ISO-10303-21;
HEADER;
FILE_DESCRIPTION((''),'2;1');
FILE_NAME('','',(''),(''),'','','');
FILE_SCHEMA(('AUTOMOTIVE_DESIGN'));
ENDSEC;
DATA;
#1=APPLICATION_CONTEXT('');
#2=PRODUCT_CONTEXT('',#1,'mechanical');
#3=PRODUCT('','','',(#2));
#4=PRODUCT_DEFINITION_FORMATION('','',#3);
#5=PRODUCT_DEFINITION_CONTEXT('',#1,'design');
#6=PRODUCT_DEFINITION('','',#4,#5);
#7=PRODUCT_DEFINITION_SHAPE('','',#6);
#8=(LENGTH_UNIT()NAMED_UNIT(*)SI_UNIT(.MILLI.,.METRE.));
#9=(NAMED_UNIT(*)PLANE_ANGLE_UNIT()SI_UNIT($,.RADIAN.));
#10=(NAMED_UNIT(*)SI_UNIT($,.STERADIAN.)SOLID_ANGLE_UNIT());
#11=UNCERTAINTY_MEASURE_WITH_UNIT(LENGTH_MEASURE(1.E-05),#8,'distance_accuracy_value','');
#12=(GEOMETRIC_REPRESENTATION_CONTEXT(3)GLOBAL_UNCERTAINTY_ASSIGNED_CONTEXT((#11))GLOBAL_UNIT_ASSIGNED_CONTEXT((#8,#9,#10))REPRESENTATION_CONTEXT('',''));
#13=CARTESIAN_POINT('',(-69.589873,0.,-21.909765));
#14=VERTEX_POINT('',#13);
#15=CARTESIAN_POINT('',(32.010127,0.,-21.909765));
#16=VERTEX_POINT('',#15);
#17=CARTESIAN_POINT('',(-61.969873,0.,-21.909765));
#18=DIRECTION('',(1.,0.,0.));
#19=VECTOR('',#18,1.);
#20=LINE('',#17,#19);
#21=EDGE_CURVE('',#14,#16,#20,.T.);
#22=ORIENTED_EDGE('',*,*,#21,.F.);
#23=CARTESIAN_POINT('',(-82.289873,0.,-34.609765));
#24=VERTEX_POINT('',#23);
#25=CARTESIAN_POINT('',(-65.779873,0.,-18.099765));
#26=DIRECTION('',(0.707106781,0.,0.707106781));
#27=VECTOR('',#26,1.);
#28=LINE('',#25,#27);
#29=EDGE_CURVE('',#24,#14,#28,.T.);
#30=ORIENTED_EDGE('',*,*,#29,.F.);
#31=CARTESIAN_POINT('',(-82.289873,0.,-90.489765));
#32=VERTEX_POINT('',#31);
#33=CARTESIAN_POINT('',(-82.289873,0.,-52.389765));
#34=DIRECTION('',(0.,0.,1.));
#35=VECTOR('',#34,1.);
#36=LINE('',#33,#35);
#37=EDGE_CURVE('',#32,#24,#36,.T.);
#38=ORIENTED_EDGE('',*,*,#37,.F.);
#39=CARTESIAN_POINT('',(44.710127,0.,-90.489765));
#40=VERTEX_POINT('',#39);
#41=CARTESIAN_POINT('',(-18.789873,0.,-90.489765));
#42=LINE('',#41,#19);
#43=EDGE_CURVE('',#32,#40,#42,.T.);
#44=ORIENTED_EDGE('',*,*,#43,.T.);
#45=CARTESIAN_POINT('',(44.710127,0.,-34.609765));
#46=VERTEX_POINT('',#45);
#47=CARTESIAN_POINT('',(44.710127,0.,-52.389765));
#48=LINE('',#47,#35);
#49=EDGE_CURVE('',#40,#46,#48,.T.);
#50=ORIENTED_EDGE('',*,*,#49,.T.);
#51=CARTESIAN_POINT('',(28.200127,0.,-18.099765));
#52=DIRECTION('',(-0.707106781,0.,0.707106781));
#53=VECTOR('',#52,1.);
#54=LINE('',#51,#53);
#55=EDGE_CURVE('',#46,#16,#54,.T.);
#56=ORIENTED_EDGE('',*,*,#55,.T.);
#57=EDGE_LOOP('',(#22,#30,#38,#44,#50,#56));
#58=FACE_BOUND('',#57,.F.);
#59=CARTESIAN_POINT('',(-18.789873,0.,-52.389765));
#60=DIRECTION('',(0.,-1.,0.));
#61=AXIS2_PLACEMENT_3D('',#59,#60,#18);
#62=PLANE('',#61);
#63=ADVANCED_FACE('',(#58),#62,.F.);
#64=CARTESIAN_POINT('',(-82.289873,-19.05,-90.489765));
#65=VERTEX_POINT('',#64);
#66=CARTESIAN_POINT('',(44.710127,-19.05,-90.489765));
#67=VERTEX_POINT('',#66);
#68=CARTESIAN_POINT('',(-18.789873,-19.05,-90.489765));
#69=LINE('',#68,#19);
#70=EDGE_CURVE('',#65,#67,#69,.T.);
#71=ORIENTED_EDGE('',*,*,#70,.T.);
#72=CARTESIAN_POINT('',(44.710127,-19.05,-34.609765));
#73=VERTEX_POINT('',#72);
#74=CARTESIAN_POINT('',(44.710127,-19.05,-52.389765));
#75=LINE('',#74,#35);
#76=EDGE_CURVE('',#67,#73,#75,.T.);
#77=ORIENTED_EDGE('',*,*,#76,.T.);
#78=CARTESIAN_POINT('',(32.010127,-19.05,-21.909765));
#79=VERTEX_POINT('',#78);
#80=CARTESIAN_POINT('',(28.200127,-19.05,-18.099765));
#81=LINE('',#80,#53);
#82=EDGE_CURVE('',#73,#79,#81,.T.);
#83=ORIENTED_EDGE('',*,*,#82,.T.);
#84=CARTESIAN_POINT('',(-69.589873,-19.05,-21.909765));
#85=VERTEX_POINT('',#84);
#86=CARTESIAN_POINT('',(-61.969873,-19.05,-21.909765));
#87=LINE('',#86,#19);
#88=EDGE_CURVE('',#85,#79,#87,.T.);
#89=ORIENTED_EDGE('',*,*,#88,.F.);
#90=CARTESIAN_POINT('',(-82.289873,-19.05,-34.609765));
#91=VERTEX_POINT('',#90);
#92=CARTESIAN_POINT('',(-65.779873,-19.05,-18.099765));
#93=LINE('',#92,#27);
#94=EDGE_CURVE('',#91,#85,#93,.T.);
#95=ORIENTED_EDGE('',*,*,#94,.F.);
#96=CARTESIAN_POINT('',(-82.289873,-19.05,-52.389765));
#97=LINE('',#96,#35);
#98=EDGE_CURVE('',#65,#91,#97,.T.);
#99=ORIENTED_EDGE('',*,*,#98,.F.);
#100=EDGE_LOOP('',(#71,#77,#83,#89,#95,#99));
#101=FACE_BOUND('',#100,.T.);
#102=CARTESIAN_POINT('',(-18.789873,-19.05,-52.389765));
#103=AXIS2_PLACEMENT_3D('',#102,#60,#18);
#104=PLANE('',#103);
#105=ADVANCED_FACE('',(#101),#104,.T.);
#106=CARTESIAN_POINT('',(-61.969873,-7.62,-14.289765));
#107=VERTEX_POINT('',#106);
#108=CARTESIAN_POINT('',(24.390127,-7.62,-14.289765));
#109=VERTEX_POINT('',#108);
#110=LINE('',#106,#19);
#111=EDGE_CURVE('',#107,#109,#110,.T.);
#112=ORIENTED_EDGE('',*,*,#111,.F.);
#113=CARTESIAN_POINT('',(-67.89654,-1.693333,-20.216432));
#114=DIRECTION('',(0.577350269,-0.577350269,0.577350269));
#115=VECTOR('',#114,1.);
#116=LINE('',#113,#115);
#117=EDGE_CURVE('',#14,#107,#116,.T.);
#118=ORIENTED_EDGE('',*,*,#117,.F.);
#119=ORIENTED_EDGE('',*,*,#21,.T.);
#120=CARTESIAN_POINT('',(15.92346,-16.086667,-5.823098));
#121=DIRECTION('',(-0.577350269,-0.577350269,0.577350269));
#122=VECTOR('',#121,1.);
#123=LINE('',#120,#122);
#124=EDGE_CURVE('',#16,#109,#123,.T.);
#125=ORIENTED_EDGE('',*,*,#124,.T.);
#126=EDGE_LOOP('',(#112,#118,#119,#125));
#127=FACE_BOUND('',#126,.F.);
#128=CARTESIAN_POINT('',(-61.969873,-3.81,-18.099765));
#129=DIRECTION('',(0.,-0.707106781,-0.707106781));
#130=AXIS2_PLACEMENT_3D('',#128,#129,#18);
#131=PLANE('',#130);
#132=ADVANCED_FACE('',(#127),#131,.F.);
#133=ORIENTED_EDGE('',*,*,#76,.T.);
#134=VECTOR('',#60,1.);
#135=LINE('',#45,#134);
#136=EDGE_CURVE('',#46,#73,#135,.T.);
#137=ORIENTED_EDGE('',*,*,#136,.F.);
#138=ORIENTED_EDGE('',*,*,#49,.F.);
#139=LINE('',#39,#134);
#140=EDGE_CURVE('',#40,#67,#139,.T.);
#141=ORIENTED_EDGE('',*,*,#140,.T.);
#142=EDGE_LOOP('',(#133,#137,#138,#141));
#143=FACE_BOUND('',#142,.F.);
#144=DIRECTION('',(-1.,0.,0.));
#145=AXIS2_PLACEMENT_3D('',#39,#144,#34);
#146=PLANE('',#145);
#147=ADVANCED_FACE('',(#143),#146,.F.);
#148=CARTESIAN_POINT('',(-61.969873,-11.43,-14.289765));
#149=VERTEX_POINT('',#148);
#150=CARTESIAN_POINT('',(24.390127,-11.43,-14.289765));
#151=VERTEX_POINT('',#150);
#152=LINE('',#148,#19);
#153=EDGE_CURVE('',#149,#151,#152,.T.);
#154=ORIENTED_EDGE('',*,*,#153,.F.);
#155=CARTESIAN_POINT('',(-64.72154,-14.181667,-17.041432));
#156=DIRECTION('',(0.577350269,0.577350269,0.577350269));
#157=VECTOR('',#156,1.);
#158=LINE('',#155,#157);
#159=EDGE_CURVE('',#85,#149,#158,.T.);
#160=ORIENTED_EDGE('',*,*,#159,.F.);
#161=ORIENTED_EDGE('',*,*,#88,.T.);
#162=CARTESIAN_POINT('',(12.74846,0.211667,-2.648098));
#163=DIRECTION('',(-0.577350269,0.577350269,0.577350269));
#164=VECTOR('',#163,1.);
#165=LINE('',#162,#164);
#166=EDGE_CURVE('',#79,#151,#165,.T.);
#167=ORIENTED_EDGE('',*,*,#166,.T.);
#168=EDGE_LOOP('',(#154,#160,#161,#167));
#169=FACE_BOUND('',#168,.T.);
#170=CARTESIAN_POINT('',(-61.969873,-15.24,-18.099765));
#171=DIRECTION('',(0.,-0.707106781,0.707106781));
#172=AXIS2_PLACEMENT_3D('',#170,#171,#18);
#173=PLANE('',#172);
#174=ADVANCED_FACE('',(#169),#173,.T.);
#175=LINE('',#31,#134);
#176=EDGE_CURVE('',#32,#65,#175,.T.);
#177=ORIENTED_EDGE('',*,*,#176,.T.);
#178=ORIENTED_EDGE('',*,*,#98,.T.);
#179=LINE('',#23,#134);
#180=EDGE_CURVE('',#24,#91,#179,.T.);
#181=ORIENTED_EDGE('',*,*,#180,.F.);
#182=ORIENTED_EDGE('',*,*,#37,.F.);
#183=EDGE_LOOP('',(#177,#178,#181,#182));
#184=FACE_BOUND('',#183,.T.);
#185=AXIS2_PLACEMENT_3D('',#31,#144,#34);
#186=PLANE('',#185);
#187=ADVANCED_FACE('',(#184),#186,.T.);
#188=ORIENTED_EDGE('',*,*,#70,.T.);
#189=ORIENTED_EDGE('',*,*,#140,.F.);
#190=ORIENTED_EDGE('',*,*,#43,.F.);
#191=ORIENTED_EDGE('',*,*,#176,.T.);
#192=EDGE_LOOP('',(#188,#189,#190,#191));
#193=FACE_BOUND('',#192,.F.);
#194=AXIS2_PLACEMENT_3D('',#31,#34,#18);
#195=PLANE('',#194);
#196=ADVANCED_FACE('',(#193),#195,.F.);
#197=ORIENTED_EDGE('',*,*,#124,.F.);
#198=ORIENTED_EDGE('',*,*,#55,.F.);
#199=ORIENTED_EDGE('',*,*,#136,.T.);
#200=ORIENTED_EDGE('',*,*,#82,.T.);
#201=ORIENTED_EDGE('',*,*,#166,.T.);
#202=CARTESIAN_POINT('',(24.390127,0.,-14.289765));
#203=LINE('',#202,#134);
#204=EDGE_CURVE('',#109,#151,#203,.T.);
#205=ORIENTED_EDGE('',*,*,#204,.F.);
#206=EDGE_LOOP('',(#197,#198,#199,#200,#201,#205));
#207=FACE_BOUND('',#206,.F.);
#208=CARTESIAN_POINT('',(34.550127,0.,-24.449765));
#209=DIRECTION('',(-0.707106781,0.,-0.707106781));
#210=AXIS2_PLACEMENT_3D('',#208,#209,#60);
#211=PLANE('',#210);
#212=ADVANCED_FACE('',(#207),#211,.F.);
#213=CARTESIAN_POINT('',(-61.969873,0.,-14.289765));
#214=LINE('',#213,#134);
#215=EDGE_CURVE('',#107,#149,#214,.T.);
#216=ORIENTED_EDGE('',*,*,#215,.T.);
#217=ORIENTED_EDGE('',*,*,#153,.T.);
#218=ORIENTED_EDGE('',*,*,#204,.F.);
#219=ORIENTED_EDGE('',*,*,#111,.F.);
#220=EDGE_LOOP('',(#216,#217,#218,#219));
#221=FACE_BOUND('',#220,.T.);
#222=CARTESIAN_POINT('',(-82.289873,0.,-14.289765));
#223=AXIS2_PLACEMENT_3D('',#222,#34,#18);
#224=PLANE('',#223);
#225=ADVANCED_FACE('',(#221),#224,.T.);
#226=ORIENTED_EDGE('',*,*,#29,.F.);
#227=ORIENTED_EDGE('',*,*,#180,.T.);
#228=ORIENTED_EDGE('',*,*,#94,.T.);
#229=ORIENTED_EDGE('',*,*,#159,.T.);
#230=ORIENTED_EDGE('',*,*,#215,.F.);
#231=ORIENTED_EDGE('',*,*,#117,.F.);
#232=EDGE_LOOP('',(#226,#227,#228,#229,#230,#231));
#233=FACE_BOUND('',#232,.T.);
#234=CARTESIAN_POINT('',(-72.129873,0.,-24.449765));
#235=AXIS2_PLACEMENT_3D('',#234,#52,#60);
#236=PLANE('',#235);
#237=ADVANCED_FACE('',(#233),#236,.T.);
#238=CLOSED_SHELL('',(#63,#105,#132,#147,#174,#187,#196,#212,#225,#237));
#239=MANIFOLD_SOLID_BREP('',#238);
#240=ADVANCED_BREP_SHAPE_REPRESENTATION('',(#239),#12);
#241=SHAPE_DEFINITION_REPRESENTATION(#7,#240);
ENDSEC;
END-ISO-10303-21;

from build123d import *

# Parameters (mm, degrees)
F0_W     = 127
F0_H     = 76.2
F1_DEPTH = 19.05
F2_SIZE  = 20.32
F3_SIZE  = 7.62


with BuildPart() as f1:
    # F0 (on Front) → F1 (new body)
    with BuildSketch(Plane.XZ):
        with Locations((-18.789873, -52.389765)):
            Rectangle(F0_W, F0_H)
    extrude(amount=F1_DEPTH)

    # F2
    f2_edges = [f1.edges().sort_by_distance(p)[0] for p in [
        (44.710127, -9.525, -14.289765),
        (-82.289873, -9.525, -14.289765),
    ]]
    chamfer(f2_edges, length=F2_SIZE)

    # F3
    f3_edges = [f1.edges().sort_by_distance(p)[0] for p in [
        (-18.789873, -19.05, -14.289765),
        (-18.789873, 0, -14.289765),
    ]]
    chamfer(f3_edges, length=F3_SIZE)


solid = f1.part
